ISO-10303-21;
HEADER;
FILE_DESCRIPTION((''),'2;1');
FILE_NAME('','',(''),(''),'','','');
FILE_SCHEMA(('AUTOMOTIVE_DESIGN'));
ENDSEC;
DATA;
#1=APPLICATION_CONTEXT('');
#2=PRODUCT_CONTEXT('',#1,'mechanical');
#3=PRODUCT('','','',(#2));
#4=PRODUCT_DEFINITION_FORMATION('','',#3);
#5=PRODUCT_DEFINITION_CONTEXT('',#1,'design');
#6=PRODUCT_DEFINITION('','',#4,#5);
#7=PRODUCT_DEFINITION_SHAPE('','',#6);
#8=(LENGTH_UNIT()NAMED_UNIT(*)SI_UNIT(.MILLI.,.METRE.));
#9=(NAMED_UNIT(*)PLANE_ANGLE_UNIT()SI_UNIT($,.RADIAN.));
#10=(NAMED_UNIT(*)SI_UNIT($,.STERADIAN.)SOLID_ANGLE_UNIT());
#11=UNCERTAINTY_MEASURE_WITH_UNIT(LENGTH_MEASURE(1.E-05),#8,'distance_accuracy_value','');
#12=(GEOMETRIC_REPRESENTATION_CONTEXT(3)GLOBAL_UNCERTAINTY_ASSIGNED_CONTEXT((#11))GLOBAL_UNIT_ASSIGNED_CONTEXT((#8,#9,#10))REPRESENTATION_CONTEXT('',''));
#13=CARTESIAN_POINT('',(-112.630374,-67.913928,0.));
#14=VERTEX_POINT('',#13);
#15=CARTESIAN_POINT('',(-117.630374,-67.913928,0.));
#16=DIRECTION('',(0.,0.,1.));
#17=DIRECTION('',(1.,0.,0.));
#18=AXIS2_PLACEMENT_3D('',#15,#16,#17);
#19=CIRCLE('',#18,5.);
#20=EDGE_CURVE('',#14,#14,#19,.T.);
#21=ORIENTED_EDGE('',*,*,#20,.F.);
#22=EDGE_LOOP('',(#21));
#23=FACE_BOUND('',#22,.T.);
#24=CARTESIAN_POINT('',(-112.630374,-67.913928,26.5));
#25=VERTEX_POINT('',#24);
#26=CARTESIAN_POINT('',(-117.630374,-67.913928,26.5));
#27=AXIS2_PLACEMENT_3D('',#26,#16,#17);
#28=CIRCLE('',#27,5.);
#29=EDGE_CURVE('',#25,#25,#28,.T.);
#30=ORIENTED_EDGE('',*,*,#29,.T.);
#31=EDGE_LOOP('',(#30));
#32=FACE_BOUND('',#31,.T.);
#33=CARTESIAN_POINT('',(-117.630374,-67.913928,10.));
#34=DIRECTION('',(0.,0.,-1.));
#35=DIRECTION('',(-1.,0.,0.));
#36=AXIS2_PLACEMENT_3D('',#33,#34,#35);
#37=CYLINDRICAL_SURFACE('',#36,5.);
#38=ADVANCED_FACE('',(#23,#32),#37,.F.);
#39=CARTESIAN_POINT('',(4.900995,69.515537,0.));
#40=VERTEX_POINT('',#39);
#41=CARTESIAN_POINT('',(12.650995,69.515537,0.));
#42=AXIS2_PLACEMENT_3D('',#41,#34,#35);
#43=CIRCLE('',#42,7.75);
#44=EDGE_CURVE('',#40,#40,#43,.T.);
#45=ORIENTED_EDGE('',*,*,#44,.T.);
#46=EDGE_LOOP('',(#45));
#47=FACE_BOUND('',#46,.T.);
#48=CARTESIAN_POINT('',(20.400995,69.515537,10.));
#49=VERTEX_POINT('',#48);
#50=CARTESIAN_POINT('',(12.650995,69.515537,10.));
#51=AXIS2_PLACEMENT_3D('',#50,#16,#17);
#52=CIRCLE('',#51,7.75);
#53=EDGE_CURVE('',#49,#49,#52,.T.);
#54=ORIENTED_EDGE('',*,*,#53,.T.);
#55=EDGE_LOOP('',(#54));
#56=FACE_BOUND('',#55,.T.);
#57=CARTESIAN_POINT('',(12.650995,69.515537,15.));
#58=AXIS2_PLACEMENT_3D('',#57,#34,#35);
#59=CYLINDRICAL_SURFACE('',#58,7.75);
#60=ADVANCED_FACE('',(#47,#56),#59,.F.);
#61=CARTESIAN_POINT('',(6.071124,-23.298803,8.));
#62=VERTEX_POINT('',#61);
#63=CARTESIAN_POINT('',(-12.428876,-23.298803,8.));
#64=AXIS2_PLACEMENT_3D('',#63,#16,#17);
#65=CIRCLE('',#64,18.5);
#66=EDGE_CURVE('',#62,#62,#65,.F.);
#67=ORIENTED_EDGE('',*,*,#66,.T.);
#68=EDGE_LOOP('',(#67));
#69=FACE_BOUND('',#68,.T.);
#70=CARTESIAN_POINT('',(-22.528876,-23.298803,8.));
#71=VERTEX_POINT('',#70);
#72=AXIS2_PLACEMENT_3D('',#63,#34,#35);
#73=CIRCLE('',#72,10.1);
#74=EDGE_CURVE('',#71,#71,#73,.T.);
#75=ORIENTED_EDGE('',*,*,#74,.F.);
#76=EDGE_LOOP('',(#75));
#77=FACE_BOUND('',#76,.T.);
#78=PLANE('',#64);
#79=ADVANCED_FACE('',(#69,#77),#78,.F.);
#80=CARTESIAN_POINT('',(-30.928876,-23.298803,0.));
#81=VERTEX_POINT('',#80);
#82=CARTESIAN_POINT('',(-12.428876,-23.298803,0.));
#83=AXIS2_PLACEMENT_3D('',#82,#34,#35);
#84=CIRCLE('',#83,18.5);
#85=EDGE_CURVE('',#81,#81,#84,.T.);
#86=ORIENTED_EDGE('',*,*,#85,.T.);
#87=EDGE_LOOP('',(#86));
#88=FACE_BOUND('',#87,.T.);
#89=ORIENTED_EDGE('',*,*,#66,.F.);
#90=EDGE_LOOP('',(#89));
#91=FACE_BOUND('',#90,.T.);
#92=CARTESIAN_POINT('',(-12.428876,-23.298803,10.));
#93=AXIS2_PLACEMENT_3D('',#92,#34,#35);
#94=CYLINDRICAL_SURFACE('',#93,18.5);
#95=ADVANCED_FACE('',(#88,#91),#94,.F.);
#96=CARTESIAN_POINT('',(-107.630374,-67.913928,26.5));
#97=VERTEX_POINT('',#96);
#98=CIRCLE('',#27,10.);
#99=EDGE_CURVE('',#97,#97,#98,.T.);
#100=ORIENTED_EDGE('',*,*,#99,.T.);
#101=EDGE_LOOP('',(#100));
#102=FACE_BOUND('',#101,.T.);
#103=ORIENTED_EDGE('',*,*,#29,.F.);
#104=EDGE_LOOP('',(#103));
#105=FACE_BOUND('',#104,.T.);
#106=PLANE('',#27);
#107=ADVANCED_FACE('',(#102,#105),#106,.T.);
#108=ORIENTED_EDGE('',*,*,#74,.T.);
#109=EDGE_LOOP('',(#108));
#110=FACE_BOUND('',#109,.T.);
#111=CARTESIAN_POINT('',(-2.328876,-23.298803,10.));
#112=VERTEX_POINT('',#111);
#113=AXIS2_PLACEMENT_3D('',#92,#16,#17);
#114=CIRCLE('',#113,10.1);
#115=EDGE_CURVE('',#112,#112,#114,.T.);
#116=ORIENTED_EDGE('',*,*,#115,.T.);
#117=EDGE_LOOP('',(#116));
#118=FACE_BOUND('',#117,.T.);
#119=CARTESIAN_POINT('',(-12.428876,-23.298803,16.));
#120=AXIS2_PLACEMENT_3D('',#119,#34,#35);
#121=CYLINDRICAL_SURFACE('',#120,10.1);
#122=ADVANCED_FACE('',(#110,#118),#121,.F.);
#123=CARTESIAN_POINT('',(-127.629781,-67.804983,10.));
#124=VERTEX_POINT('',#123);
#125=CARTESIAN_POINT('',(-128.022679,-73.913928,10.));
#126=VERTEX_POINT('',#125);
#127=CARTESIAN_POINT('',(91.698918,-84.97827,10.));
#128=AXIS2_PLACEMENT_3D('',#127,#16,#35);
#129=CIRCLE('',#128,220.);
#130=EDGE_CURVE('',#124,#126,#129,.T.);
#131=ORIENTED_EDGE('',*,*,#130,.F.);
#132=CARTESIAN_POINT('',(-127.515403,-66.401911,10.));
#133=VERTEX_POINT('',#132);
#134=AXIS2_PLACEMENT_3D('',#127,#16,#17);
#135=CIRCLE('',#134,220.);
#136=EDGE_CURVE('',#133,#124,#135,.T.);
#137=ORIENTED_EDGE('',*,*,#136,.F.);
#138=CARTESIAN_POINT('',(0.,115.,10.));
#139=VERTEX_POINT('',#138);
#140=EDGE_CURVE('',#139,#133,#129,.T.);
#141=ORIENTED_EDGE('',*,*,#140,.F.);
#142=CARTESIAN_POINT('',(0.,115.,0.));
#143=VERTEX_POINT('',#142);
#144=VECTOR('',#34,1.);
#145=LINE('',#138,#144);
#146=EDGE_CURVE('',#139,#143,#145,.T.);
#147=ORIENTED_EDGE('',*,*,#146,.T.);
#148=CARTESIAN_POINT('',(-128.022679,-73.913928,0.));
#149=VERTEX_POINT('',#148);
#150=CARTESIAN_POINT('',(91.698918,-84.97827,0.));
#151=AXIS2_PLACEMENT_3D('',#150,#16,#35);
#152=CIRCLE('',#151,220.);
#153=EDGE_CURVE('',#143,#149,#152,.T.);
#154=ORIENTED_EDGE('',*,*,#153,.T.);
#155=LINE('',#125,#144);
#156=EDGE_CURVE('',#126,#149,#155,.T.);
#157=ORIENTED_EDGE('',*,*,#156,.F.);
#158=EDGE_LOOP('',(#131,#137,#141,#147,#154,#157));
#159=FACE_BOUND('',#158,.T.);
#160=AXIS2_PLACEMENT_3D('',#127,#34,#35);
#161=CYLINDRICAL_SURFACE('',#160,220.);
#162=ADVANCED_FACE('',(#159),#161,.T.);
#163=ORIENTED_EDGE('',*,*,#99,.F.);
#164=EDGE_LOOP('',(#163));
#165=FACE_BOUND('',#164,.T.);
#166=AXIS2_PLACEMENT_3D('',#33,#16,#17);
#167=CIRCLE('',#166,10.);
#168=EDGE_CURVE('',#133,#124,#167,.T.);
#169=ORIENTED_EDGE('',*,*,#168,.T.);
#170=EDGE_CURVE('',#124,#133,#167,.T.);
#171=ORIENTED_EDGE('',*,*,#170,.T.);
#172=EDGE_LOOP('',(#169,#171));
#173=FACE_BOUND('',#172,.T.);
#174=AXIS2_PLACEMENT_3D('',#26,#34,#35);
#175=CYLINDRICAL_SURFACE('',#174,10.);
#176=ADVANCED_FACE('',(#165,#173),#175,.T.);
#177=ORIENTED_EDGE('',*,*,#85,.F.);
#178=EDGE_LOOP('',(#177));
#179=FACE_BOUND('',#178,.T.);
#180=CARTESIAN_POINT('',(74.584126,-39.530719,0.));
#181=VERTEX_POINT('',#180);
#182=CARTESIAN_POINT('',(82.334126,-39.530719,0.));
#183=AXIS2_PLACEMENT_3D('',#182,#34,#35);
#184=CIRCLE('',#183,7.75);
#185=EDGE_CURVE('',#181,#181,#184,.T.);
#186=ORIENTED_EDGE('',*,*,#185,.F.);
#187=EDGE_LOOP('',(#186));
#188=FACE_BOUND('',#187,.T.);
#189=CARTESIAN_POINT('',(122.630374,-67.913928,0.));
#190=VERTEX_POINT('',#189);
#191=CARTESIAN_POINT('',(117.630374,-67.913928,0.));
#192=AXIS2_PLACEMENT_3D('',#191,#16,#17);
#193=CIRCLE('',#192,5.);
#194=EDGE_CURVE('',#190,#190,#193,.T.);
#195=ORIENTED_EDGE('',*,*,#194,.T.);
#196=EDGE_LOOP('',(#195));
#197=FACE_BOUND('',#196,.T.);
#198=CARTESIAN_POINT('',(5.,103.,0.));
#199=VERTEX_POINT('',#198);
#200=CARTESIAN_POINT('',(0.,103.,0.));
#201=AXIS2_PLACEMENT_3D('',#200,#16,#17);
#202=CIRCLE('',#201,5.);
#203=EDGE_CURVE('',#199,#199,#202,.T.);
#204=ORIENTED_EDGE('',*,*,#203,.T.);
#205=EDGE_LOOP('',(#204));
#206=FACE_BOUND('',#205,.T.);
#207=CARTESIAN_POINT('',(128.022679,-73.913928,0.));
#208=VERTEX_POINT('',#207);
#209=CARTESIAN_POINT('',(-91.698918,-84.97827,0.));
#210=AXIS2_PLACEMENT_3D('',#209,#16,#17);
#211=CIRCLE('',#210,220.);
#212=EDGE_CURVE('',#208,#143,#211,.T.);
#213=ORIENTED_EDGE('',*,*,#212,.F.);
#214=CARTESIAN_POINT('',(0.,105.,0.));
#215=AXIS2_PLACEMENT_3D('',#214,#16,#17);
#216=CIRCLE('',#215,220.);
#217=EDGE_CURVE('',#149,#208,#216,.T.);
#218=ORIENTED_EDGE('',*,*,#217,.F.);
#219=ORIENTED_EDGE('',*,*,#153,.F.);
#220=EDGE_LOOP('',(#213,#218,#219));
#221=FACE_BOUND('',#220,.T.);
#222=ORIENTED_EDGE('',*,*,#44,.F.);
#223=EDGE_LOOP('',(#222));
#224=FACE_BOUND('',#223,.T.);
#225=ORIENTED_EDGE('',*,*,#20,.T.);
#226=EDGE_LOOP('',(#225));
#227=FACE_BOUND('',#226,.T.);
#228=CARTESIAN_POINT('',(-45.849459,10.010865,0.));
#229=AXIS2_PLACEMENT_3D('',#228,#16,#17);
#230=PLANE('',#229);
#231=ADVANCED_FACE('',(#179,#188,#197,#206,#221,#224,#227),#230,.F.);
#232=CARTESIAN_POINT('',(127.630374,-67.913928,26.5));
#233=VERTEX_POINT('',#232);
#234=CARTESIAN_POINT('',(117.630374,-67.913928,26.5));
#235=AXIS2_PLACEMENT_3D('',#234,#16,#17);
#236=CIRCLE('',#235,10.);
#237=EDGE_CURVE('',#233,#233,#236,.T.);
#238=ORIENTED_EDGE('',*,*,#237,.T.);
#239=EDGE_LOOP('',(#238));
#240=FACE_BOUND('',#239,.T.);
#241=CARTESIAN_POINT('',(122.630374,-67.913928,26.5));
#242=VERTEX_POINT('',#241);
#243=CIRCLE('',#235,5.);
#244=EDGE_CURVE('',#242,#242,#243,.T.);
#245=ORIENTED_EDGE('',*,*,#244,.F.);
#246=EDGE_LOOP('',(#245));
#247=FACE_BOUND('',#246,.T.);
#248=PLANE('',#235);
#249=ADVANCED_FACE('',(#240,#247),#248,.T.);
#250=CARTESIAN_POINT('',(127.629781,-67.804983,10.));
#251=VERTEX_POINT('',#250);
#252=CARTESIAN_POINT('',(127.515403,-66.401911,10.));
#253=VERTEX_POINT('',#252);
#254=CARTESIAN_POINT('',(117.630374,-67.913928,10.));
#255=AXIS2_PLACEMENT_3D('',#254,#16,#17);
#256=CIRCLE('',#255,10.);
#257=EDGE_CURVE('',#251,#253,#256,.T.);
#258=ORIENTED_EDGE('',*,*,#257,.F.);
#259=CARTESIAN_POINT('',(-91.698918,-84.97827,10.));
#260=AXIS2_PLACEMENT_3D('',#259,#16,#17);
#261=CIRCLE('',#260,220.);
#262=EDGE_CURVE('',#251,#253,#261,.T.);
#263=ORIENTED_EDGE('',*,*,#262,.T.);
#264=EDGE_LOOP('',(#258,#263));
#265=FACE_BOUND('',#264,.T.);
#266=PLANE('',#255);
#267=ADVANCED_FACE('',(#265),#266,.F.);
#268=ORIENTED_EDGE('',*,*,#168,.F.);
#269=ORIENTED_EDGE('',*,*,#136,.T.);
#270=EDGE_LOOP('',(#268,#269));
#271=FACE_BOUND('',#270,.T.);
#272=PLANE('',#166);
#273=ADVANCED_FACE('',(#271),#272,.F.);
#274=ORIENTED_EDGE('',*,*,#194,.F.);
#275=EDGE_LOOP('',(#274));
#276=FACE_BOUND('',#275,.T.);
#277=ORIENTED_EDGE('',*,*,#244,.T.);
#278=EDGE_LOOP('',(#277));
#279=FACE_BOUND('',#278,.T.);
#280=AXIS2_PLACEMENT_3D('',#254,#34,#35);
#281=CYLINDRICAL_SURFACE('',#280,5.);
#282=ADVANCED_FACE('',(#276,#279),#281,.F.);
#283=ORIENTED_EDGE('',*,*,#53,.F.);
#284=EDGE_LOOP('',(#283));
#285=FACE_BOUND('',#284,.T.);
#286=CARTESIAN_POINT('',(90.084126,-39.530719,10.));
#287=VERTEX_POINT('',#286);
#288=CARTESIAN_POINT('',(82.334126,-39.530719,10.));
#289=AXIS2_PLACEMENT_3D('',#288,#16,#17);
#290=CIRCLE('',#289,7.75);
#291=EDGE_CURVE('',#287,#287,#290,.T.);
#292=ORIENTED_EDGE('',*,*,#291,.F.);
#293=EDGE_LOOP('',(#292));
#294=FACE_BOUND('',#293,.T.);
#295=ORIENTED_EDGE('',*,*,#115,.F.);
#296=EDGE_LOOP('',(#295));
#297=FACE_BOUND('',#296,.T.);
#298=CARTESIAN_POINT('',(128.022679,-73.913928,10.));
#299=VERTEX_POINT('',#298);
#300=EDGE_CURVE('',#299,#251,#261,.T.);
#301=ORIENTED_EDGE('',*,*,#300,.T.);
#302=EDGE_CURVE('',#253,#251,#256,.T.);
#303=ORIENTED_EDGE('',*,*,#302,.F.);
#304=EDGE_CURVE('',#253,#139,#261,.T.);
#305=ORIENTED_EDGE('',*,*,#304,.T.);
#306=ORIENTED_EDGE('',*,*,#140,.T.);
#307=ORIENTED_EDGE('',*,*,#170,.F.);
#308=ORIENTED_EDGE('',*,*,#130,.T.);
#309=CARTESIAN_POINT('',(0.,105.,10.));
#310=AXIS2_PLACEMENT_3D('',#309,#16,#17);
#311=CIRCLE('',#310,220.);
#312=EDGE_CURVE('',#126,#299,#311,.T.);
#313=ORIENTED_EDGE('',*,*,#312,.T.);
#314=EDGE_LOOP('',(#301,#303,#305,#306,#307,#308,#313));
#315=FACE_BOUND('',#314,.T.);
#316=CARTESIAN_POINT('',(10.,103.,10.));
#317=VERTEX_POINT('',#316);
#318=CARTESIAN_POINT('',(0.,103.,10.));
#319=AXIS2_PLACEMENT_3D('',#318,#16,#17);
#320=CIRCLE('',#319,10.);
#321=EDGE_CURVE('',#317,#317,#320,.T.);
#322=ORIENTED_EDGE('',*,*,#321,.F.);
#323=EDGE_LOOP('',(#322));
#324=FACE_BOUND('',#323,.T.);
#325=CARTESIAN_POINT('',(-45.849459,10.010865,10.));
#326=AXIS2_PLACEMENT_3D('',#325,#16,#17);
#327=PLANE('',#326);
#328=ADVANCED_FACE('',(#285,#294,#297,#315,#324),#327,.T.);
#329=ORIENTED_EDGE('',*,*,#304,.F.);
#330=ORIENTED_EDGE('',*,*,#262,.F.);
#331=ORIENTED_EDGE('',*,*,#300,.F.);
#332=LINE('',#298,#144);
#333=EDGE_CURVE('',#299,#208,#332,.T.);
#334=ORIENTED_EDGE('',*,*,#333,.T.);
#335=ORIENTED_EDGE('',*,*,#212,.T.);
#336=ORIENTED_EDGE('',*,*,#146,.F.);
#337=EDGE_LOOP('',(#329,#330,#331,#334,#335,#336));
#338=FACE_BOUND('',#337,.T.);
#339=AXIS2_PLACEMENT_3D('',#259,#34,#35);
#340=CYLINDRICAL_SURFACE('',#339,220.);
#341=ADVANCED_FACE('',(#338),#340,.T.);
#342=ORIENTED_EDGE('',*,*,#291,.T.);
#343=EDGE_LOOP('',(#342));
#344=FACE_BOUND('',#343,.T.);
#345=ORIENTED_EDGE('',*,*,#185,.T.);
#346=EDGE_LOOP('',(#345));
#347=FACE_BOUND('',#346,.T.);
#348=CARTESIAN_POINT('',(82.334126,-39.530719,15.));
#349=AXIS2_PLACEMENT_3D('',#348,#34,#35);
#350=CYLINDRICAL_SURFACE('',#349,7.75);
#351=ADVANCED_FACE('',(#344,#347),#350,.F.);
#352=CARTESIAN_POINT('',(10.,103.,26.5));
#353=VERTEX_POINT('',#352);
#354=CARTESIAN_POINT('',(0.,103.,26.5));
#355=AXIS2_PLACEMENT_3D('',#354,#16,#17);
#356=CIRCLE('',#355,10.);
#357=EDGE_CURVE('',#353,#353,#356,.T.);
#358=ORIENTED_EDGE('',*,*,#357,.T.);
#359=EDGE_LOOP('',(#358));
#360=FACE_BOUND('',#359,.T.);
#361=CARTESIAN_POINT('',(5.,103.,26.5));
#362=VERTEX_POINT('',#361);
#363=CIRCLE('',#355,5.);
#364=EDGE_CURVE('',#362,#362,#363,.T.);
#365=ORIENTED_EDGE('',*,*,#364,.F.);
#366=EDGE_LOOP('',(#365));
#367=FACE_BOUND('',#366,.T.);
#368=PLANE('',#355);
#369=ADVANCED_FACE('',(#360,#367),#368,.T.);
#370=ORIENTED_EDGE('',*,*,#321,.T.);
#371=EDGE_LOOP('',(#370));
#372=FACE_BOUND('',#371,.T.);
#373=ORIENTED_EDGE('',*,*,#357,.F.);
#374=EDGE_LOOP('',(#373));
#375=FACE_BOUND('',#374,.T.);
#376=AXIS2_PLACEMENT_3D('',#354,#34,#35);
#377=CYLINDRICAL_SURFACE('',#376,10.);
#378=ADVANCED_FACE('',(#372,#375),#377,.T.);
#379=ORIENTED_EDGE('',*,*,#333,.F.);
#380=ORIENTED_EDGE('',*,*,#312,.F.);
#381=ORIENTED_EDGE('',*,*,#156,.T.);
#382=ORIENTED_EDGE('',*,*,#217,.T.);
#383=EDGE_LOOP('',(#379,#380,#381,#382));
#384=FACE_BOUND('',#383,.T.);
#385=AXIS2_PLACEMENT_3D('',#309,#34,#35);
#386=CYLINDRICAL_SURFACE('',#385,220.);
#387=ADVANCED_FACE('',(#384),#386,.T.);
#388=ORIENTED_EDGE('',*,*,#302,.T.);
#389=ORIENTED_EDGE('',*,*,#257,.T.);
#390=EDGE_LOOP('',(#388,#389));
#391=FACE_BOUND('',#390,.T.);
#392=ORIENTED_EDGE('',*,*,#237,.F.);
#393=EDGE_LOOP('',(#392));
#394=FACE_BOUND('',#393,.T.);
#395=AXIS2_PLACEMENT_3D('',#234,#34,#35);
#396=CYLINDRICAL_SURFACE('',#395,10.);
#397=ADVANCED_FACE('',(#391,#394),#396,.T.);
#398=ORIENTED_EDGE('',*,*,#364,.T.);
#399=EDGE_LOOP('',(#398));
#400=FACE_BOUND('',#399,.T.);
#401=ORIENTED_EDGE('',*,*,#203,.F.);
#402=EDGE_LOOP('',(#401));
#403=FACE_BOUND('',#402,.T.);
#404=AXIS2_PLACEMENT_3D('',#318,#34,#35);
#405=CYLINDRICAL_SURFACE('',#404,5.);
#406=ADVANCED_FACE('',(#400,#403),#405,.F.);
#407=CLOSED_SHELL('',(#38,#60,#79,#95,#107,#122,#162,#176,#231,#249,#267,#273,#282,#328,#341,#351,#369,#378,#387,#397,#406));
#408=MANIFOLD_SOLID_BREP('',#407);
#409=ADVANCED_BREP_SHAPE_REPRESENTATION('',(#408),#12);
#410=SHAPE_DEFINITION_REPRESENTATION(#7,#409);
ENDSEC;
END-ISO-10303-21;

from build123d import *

# Parameters (mm, degrees)
SKETCH_1_R          = 5
EXTRUDE_1_DEPTH     = 10
SKETCH_2_R          = 10
SKETCH_2_R_2        = 5
EXTRUDE_2_DEPTH     = 16.5
SKETCH_3_R          = 7.75
SKETCH_3_R_2        = 15
CUT_EXTRUDE_1_DEPTH = 15
SKETCH_5_R          = 18.5
CUT_EXTRUDE_3_DEPTH = 10
EXTRUDE_START       = -2
SKETCH_6_R          = 18.5
EXTRUDE_3_DEPTH     = 2
SKETCH_7_R          = 10.1
CUT_EXTRUDE_4_DEPTH = 8


with BuildPart() as part:
    # 草图1 → 凸台-拉伸1 (new body)
    with BuildSketch(Plane.XY):
        with BuildLine():
            ThreePointArc((-128.022678922, -73.913928138), (-90.421378279, 38.440519474), (0, 115))
            ThreePointArc((0, 115), (90.421378279, 38.440519474), (128.022678922, -73.913928138))
            ThreePointArc((128.022678922, -73.913928138), (0, -115), (-128.022678922, -73.913928138))
        make_face()
        with Locations((0, 103)):
            Circle(SKETCH_1_R, mode=Mode.SUBTRACT)
        with Locations((-117.630374076, -67.913928138)):
            Circle(SKETCH_1_R, mode=Mode.SUBTRACT)
        with Locations((117.630374076, -67.913928138)):
            Circle(SKETCH_1_R, mode=Mode.SUBTRACT)
    extrude(amount=EXTRUDE_1_DEPTH)

    # 草图2 → 凸台-拉伸2 (add)
    # profile 1 of 3: a face of its own
    with BuildSketch(Plane.XY.offset(10)):
        with Locations((0, 103)):
            Circle(SKETCH_2_R)
        with Locations((0, 103)):
            Circle(SKETCH_2_R_2, mode=Mode.SUBTRACT)
    # profile 2 of 3: a face of its own
    with BuildSketch(Plane.XY.offset(10)):
        with Locations(Location((-117.630374076, -67.913928138, 0), (0, 0, 179.375778052))):
            Circle(SKETCH_2_R)
        with Locations((-117.630374076, -67.913928138)):
            Circle(SKETCH_2_R_2, mode=Mode.SUBTRACT)
    # profile 3 of 3: a face of its own
    with BuildSketch(Plane.XY.offset(10)):
        with Locations(Location((117.630374076, -67.913928138, 0), (0, 0, 8.696571879))):
            Circle(SKETCH_2_R)
        with Locations((117.630374076, -67.913928138)):
            Circle(SKETCH_2_R_2, mode=Mode.SUBTRACT)
    extrude(amount=EXTRUDE_2_DEPTH)

    # 草图3 → 切除-拉伸1 (cut)
    with BuildSketch(Plane(origin=(0, 0, 0), x_dir=(-1, 0, 0), z_dir=(0, 0, -1))):
        with Locations((-12.650995066, 69.515536741)):
            Circle(SKETCH_3_R)
        with Locations((-82.334125615, -39.530718783)):
            Circle(SKETCH_3_R)
        with Locations((12.428876199, -23.298802993)):
            Circle(SKETCH_3_R_2)
    extrude(amount=-CUT_EXTRUDE_1_DEPTH, mode=Mode.SUBTRACT)

    # 草图5 → 切除-拉伸3 (cut)
    with BuildSketch(Plane(origin=(0, 0, 0), x_dir=(-1, 0, 0), z_dir=(0, 0, -1))):
        with Locations((12.428876199, -23.298802993)):
            Circle(SKETCH_5_R)
    extrude(amount=-CUT_EXTRUDE_3_DEPTH, mode=Mode.SUBTRACT)

    # 草图6 → 凸台-拉伸3 (add)
    with BuildSketch(Plane.XY.offset(10).offset(EXTRUDE_START)):
        with Locations(Location((-12.428876199, -23.298802993, 0), (0, 0, 180))):
            Circle(SKETCH_6_R)
    extrude(amount=EXTRUDE_3_DEPTH)

    # 草图7 → 切除-拉伸4 (cut)
    with BuildSketch(Plane(origin=(0, 0, 8), x_dir=(-1, 0, 0), z_dir=(0, 0, -1))):
        with Locations((12.428876199, -23.298802993)):
            Circle(SKETCH_7_R)
    extrude(amount=-CUT_EXTRUDE_4_DEPTH, mode=Mode.SUBTRACT)


solid = part.part
